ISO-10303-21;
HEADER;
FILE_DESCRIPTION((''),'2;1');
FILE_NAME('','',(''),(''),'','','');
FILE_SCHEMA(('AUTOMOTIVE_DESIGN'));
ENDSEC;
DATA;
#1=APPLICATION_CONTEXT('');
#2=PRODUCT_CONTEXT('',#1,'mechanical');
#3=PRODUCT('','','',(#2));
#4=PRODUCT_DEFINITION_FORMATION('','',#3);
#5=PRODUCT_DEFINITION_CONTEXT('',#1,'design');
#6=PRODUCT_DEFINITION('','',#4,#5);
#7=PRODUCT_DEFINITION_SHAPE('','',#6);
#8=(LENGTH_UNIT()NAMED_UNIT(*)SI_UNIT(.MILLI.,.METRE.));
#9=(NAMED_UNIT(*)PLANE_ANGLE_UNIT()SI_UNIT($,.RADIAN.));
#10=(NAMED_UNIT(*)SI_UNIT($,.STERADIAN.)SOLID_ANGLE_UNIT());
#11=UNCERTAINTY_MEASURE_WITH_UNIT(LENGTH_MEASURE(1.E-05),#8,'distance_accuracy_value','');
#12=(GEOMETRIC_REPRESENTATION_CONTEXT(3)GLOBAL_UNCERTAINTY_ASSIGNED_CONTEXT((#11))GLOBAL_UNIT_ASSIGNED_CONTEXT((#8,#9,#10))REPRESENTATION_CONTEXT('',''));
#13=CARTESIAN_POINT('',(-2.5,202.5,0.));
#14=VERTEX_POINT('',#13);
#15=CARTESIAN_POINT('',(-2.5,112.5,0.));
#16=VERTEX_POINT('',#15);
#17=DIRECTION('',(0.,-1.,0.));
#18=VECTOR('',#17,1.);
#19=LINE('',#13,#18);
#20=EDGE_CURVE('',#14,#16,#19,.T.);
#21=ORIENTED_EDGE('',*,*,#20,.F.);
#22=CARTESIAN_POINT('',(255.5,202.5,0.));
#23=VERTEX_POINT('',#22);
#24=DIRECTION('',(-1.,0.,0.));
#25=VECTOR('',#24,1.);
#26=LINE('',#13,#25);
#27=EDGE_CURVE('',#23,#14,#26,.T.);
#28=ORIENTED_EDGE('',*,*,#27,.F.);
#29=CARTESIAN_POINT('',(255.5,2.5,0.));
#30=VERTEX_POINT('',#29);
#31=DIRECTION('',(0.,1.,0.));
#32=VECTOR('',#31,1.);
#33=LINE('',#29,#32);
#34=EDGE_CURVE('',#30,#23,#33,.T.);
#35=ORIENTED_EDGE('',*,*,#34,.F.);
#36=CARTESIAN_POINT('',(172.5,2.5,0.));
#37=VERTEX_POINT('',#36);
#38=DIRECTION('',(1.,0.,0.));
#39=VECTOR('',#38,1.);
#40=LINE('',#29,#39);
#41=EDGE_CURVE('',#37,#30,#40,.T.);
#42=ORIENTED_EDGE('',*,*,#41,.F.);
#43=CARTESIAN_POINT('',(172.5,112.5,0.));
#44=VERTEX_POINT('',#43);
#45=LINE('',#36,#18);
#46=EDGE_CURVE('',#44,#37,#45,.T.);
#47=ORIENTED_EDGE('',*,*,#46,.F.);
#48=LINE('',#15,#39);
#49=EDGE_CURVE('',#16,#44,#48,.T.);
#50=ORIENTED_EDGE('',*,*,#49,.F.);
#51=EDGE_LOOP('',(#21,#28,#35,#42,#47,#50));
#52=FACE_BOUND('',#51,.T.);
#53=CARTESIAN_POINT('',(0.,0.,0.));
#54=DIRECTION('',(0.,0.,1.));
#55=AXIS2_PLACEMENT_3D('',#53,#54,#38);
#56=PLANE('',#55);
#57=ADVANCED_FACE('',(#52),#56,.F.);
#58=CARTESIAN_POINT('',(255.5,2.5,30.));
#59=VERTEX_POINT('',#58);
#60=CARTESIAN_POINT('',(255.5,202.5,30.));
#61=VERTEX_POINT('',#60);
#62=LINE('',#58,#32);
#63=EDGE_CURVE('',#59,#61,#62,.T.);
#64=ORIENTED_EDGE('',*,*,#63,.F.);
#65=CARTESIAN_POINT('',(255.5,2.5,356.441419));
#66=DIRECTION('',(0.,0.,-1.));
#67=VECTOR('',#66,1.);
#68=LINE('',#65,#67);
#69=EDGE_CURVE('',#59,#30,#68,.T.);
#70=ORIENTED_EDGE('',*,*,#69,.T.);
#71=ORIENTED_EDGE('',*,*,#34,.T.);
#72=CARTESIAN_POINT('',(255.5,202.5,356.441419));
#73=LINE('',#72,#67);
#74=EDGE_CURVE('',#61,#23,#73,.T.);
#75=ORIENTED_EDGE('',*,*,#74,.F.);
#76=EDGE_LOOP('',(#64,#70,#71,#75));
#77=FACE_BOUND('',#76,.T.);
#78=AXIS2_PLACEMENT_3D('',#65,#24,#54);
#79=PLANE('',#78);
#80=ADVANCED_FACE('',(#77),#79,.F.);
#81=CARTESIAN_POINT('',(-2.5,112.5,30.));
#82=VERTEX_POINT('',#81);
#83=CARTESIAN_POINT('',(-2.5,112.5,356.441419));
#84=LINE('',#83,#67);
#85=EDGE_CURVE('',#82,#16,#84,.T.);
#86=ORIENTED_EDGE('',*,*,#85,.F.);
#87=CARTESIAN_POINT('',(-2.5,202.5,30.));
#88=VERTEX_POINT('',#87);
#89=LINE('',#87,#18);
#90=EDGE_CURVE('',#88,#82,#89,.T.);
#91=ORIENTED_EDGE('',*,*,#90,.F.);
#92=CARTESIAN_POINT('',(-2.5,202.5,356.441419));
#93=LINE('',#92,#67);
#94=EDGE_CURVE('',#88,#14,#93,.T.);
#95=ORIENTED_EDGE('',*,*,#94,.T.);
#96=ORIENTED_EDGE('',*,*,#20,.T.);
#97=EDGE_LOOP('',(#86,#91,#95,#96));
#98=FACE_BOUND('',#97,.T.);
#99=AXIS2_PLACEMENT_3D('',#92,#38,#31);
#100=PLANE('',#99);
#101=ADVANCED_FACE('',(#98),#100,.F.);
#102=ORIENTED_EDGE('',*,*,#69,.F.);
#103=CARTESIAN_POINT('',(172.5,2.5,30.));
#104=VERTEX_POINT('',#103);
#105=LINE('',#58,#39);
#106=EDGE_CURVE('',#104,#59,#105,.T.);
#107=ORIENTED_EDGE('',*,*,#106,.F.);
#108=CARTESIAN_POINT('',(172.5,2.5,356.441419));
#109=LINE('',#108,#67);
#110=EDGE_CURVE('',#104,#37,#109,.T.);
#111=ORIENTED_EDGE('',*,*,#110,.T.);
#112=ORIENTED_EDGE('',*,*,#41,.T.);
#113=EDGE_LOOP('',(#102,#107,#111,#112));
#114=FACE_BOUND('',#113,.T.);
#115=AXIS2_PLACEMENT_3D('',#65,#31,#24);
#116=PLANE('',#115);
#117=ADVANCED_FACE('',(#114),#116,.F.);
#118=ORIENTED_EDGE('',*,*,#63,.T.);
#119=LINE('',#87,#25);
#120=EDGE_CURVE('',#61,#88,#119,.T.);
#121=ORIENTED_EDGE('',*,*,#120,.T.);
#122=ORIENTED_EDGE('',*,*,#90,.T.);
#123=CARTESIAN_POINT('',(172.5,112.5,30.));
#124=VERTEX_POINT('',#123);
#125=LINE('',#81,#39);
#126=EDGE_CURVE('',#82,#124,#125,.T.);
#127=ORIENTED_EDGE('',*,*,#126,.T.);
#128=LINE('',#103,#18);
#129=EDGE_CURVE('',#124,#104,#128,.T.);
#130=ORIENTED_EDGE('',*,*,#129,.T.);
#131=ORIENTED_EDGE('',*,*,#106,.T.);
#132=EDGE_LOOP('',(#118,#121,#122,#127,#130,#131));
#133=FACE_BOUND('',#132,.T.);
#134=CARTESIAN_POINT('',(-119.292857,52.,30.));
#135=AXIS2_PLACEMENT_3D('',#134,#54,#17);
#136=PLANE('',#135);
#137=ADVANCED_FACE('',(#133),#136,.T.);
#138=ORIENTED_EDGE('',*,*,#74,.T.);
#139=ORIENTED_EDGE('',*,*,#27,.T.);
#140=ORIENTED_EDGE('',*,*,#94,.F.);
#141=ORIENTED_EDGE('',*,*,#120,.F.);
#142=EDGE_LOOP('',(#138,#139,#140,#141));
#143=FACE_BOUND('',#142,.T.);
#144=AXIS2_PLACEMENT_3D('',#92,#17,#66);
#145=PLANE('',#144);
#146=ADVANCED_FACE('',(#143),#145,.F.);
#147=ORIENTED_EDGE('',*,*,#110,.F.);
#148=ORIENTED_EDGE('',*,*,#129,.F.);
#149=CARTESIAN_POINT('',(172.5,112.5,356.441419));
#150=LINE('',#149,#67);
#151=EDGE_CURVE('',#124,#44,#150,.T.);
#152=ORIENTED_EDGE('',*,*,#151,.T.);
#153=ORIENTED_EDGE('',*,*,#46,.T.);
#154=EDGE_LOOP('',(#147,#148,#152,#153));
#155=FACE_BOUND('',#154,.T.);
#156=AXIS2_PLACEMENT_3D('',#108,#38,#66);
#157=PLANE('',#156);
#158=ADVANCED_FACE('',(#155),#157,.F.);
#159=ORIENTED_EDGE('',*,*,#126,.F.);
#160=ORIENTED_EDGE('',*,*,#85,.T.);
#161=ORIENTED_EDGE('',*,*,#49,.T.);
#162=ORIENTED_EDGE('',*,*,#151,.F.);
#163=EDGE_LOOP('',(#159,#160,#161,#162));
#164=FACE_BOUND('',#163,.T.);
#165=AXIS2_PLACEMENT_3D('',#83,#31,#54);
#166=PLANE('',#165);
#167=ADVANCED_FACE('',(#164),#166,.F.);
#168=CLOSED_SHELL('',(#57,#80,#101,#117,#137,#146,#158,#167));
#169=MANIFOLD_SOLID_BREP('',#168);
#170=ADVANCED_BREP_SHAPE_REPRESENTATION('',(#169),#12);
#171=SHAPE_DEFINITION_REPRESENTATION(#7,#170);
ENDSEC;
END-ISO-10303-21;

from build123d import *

# Parameters (mm, degrees)
BOSS_EXTRUDE1_DEPTH = 30


with BuildPart() as part:
    # Sketch1 → Boss-Extrude1 (new body)
    with BuildSketch(Plane.XY):
        Polygon((-2.5, 202.5), (255.5, 202.5), (255.5, 2.5), (172.5, 2.5), (172.5, 112.5), (-2.5, 112.5), align=None)
    extrude(amount=BOSS_EXTRUDE1_DEPTH)


solid = part.part
